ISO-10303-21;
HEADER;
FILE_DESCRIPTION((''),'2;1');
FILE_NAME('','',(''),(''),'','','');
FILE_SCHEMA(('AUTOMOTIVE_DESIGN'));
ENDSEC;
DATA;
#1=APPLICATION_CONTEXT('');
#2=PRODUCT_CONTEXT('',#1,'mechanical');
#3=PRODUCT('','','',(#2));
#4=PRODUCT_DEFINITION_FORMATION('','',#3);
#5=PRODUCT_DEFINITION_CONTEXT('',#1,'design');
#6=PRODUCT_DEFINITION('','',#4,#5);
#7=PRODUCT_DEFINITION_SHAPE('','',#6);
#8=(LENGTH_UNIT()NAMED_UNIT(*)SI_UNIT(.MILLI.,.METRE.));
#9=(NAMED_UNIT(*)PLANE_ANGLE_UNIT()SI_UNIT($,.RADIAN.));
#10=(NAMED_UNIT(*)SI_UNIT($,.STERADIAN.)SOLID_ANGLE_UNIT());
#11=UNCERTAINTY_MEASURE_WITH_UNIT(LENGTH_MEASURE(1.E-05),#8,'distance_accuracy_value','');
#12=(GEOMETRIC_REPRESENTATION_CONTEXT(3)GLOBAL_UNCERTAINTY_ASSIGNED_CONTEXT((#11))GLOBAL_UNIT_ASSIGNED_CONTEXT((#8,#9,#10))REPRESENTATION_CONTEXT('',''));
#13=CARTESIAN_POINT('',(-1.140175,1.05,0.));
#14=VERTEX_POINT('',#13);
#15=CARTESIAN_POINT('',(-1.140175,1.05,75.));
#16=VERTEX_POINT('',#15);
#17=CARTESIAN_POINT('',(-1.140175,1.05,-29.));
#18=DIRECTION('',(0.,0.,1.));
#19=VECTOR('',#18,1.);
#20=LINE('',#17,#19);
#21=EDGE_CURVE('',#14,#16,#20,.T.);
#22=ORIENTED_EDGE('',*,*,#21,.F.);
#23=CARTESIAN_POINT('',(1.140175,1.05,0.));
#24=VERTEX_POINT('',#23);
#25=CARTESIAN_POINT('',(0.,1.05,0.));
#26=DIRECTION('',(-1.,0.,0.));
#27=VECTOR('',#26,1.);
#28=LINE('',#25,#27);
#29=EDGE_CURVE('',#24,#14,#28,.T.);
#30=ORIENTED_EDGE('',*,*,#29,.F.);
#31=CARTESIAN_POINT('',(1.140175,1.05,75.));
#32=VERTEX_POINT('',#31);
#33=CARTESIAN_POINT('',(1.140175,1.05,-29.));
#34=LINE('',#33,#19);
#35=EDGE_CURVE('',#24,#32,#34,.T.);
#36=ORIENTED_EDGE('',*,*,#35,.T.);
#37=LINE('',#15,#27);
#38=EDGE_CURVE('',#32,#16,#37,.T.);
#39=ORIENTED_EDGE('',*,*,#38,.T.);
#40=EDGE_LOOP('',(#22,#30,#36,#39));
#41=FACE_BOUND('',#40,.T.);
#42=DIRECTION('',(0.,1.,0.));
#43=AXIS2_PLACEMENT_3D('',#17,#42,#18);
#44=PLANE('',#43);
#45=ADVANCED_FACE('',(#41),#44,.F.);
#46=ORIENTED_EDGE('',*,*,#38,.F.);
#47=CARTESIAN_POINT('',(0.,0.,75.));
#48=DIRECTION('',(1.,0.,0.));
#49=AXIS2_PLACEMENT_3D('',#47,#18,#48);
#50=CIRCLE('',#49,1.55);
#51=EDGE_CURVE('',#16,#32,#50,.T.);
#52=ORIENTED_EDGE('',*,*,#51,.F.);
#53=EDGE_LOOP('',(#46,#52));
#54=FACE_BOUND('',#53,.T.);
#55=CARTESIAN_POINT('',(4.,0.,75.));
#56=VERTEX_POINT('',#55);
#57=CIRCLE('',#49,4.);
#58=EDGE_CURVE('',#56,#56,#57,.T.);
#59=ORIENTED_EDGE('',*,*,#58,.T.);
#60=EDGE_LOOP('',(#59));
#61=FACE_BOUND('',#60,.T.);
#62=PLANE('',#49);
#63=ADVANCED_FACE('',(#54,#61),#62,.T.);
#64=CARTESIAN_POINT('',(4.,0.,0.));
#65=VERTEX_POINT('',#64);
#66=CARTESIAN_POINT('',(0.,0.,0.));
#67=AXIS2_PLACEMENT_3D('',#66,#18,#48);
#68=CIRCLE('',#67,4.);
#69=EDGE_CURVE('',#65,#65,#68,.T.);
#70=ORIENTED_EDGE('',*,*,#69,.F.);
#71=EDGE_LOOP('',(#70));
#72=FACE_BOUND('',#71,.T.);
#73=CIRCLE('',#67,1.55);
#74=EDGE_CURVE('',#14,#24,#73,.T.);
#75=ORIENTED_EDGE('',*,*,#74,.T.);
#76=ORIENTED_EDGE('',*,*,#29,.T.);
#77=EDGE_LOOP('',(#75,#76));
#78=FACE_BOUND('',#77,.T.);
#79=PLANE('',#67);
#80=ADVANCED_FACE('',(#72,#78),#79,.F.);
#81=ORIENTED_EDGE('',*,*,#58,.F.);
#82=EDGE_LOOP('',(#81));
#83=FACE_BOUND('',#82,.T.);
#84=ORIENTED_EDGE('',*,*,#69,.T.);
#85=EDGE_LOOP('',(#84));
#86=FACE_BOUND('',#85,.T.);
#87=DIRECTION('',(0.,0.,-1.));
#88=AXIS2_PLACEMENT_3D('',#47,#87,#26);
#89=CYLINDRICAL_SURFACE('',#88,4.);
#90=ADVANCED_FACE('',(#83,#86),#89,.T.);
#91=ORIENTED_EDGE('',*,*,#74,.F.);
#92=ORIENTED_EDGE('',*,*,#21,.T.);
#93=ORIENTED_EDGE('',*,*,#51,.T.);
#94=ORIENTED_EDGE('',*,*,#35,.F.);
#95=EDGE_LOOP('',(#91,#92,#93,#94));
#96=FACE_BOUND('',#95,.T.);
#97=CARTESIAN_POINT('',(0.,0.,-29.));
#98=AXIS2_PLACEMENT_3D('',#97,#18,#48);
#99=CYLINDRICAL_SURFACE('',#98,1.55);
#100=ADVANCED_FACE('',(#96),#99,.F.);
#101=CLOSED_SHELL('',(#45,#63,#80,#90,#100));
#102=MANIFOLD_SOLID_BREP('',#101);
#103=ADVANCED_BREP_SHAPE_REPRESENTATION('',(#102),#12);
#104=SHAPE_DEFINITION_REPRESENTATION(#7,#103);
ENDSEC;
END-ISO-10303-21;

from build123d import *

# Parameters (mm, degrees)
IZIM1_R                     = 4
Y_KSEKLIK_EKSTR_ZYON1_DEPTH = 75
KES_EKSTR_ZYON1_DEPTH       = 104


with BuildPart() as part:
    # Çizim1 → Yükseklik-Ekstrüzyon1 (new body)
    with BuildSketch(Plane.XY):
        Circle(IZIM1_R)
    extrude(amount=Y_KSEKLIK_EKSTR_ZYON1_DEPTH)

    # Çizim2 → Kes-Ekstrüzyon1 (cut)
    with BuildSketch(Plane.XY.offset(75)):
        with BuildLine():
            Line((-1.140175425, 1.05), (1.140175425, 1.05))
            ThreePointArc((1.140175425, 1.05), (0, -1.55), (-1.140175425, 1.05))
        make_face()
    extrude(amount=-KES_EKSTR_ZYON1_DEPTH, mode=Mode.SUBTRACT)


solid = part.part
